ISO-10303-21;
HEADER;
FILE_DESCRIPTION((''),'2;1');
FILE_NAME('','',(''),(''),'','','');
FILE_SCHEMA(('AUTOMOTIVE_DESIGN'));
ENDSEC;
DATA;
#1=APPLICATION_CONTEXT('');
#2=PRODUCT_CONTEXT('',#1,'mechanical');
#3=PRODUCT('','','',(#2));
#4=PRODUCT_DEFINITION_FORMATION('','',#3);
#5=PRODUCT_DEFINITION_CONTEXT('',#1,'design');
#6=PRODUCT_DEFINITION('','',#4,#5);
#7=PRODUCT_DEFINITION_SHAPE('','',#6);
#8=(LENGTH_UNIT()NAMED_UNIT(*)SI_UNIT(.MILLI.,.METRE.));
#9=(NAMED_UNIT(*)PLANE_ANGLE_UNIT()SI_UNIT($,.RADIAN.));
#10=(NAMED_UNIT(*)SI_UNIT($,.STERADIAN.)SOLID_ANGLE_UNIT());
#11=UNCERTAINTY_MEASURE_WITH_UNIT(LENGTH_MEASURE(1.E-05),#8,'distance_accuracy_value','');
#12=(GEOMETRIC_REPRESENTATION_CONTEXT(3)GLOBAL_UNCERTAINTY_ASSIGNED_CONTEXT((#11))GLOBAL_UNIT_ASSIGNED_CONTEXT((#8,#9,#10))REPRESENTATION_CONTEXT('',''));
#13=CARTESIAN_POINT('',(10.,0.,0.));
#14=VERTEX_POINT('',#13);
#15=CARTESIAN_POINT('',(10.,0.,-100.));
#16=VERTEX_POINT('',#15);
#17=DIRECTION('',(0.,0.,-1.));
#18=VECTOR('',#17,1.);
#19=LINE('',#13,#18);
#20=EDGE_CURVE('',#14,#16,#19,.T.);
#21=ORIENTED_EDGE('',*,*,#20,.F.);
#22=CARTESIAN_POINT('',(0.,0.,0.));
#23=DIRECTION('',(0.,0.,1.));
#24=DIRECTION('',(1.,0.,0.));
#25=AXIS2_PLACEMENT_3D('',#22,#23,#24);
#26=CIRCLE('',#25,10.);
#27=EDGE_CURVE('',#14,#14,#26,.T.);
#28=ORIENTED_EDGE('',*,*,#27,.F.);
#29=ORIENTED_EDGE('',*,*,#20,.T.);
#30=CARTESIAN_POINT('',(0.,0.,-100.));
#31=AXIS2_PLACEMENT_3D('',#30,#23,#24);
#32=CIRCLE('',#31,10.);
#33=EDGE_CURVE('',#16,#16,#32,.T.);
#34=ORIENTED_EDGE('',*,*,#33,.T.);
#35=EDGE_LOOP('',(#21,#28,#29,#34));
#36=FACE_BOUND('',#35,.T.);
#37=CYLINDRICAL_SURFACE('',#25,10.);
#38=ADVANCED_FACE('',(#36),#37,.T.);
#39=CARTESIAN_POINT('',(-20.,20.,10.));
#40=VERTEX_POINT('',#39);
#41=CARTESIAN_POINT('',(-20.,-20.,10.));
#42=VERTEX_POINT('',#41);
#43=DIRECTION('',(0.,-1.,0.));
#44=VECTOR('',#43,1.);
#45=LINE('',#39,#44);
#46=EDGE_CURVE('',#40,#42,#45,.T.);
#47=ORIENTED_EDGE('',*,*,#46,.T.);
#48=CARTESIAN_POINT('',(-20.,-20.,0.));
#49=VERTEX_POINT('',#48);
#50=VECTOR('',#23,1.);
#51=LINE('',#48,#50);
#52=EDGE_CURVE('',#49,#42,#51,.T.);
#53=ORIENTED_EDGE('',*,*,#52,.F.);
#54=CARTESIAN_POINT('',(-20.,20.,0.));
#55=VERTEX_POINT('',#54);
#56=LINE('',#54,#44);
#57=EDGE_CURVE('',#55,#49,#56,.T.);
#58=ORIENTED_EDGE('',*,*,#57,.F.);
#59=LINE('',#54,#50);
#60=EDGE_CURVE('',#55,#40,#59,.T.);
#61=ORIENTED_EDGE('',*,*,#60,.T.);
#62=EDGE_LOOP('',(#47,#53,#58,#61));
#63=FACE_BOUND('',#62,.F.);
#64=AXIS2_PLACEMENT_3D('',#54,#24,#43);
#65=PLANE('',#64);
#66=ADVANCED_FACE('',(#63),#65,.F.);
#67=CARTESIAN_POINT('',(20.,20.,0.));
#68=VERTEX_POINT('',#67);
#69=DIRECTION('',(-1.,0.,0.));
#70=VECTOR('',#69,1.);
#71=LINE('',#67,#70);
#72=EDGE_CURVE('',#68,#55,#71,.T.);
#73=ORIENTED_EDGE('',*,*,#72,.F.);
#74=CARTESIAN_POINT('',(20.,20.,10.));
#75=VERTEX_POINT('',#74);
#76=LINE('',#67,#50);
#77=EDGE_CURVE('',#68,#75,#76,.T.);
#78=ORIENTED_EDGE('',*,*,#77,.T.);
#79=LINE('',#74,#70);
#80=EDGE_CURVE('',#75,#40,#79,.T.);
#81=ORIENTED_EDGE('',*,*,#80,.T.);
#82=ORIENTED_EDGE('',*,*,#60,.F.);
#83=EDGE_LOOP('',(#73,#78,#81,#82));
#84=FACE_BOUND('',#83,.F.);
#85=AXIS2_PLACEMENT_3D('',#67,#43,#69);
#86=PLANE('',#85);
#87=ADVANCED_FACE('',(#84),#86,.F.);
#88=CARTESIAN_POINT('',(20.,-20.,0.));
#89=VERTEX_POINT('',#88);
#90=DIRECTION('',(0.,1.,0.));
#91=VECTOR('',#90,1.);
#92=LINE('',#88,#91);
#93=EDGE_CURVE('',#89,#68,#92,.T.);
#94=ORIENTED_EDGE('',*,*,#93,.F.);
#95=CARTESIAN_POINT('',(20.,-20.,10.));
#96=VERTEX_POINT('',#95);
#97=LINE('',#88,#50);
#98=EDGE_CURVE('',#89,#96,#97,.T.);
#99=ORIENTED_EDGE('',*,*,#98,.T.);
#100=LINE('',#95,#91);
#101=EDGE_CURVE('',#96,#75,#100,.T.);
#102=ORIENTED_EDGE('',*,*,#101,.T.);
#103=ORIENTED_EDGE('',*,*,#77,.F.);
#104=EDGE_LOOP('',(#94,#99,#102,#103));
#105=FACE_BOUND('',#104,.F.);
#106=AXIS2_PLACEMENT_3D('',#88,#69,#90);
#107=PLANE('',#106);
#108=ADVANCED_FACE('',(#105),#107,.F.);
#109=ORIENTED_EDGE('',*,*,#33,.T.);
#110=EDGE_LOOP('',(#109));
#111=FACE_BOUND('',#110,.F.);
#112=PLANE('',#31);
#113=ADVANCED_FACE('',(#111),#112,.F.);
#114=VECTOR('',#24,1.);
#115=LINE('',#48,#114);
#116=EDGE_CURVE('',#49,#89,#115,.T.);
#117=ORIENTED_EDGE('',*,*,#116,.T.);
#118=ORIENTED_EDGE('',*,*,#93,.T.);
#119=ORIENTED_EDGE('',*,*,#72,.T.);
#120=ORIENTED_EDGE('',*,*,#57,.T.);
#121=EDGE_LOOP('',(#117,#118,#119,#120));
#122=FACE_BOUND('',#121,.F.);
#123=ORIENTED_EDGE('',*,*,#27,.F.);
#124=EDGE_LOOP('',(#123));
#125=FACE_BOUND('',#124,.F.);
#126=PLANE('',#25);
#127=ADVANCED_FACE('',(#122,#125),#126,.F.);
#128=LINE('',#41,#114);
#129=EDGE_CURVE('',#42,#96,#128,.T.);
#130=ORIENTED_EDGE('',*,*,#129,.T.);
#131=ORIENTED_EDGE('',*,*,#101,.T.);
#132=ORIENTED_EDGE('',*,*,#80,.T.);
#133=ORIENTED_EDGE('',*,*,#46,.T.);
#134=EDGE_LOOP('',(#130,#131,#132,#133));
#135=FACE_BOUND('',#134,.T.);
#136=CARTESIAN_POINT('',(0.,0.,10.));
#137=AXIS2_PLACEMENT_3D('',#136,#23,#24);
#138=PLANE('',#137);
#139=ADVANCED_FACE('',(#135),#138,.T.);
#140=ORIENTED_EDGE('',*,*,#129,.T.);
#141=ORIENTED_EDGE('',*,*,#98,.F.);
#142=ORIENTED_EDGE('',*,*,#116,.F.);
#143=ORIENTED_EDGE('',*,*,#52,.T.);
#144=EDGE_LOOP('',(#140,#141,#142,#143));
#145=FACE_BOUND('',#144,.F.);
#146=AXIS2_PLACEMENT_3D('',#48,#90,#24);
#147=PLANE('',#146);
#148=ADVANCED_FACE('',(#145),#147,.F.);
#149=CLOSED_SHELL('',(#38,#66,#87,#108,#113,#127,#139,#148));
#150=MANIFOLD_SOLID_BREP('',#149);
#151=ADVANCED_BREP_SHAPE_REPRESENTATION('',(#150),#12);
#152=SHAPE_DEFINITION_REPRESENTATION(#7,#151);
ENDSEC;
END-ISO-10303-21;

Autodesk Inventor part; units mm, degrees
ref_plane "YZ Plane" through (0, 0, 0) normal (1, 0, 0) x (0, 1, 0)
ref_plane "XZ Plane" through (0, 0, 0) normal (0, 1, 0) x (-1, 0, 0)
ref_plane "XY Plane" through (0, 0, 0) normal (0, 0, 1) x (1, 0, 0)
sketch "Sketch1" plane through (0, 0, 0) normal (0, 0, 1) x (1, 0, 0)
  line L0 (-20, -20) -> (20, -20)
  line L1 (20, -20) -> (20, 20)
  line L2 (20, 20) -> (-20, 20)
  line L3 (-20, 20) -> (-20, -20)
  line L4 (-20, -20) -> (20, 20) construction
  line L5 (20, -20) -> (-20, 20) construction
  circle A0 centre (0, 0) radius 10
  dimension "d0" = 40
  dimension "d2" = 20
extrude "Extrusion1" add sketch "Sketch1" along normal blind 10 contours L3 L2 L1 L0 | A0
extrude "Extrusion3" add sketch "Sketch1" against normal blind 100 contours A0
properties part number "Shaft"
